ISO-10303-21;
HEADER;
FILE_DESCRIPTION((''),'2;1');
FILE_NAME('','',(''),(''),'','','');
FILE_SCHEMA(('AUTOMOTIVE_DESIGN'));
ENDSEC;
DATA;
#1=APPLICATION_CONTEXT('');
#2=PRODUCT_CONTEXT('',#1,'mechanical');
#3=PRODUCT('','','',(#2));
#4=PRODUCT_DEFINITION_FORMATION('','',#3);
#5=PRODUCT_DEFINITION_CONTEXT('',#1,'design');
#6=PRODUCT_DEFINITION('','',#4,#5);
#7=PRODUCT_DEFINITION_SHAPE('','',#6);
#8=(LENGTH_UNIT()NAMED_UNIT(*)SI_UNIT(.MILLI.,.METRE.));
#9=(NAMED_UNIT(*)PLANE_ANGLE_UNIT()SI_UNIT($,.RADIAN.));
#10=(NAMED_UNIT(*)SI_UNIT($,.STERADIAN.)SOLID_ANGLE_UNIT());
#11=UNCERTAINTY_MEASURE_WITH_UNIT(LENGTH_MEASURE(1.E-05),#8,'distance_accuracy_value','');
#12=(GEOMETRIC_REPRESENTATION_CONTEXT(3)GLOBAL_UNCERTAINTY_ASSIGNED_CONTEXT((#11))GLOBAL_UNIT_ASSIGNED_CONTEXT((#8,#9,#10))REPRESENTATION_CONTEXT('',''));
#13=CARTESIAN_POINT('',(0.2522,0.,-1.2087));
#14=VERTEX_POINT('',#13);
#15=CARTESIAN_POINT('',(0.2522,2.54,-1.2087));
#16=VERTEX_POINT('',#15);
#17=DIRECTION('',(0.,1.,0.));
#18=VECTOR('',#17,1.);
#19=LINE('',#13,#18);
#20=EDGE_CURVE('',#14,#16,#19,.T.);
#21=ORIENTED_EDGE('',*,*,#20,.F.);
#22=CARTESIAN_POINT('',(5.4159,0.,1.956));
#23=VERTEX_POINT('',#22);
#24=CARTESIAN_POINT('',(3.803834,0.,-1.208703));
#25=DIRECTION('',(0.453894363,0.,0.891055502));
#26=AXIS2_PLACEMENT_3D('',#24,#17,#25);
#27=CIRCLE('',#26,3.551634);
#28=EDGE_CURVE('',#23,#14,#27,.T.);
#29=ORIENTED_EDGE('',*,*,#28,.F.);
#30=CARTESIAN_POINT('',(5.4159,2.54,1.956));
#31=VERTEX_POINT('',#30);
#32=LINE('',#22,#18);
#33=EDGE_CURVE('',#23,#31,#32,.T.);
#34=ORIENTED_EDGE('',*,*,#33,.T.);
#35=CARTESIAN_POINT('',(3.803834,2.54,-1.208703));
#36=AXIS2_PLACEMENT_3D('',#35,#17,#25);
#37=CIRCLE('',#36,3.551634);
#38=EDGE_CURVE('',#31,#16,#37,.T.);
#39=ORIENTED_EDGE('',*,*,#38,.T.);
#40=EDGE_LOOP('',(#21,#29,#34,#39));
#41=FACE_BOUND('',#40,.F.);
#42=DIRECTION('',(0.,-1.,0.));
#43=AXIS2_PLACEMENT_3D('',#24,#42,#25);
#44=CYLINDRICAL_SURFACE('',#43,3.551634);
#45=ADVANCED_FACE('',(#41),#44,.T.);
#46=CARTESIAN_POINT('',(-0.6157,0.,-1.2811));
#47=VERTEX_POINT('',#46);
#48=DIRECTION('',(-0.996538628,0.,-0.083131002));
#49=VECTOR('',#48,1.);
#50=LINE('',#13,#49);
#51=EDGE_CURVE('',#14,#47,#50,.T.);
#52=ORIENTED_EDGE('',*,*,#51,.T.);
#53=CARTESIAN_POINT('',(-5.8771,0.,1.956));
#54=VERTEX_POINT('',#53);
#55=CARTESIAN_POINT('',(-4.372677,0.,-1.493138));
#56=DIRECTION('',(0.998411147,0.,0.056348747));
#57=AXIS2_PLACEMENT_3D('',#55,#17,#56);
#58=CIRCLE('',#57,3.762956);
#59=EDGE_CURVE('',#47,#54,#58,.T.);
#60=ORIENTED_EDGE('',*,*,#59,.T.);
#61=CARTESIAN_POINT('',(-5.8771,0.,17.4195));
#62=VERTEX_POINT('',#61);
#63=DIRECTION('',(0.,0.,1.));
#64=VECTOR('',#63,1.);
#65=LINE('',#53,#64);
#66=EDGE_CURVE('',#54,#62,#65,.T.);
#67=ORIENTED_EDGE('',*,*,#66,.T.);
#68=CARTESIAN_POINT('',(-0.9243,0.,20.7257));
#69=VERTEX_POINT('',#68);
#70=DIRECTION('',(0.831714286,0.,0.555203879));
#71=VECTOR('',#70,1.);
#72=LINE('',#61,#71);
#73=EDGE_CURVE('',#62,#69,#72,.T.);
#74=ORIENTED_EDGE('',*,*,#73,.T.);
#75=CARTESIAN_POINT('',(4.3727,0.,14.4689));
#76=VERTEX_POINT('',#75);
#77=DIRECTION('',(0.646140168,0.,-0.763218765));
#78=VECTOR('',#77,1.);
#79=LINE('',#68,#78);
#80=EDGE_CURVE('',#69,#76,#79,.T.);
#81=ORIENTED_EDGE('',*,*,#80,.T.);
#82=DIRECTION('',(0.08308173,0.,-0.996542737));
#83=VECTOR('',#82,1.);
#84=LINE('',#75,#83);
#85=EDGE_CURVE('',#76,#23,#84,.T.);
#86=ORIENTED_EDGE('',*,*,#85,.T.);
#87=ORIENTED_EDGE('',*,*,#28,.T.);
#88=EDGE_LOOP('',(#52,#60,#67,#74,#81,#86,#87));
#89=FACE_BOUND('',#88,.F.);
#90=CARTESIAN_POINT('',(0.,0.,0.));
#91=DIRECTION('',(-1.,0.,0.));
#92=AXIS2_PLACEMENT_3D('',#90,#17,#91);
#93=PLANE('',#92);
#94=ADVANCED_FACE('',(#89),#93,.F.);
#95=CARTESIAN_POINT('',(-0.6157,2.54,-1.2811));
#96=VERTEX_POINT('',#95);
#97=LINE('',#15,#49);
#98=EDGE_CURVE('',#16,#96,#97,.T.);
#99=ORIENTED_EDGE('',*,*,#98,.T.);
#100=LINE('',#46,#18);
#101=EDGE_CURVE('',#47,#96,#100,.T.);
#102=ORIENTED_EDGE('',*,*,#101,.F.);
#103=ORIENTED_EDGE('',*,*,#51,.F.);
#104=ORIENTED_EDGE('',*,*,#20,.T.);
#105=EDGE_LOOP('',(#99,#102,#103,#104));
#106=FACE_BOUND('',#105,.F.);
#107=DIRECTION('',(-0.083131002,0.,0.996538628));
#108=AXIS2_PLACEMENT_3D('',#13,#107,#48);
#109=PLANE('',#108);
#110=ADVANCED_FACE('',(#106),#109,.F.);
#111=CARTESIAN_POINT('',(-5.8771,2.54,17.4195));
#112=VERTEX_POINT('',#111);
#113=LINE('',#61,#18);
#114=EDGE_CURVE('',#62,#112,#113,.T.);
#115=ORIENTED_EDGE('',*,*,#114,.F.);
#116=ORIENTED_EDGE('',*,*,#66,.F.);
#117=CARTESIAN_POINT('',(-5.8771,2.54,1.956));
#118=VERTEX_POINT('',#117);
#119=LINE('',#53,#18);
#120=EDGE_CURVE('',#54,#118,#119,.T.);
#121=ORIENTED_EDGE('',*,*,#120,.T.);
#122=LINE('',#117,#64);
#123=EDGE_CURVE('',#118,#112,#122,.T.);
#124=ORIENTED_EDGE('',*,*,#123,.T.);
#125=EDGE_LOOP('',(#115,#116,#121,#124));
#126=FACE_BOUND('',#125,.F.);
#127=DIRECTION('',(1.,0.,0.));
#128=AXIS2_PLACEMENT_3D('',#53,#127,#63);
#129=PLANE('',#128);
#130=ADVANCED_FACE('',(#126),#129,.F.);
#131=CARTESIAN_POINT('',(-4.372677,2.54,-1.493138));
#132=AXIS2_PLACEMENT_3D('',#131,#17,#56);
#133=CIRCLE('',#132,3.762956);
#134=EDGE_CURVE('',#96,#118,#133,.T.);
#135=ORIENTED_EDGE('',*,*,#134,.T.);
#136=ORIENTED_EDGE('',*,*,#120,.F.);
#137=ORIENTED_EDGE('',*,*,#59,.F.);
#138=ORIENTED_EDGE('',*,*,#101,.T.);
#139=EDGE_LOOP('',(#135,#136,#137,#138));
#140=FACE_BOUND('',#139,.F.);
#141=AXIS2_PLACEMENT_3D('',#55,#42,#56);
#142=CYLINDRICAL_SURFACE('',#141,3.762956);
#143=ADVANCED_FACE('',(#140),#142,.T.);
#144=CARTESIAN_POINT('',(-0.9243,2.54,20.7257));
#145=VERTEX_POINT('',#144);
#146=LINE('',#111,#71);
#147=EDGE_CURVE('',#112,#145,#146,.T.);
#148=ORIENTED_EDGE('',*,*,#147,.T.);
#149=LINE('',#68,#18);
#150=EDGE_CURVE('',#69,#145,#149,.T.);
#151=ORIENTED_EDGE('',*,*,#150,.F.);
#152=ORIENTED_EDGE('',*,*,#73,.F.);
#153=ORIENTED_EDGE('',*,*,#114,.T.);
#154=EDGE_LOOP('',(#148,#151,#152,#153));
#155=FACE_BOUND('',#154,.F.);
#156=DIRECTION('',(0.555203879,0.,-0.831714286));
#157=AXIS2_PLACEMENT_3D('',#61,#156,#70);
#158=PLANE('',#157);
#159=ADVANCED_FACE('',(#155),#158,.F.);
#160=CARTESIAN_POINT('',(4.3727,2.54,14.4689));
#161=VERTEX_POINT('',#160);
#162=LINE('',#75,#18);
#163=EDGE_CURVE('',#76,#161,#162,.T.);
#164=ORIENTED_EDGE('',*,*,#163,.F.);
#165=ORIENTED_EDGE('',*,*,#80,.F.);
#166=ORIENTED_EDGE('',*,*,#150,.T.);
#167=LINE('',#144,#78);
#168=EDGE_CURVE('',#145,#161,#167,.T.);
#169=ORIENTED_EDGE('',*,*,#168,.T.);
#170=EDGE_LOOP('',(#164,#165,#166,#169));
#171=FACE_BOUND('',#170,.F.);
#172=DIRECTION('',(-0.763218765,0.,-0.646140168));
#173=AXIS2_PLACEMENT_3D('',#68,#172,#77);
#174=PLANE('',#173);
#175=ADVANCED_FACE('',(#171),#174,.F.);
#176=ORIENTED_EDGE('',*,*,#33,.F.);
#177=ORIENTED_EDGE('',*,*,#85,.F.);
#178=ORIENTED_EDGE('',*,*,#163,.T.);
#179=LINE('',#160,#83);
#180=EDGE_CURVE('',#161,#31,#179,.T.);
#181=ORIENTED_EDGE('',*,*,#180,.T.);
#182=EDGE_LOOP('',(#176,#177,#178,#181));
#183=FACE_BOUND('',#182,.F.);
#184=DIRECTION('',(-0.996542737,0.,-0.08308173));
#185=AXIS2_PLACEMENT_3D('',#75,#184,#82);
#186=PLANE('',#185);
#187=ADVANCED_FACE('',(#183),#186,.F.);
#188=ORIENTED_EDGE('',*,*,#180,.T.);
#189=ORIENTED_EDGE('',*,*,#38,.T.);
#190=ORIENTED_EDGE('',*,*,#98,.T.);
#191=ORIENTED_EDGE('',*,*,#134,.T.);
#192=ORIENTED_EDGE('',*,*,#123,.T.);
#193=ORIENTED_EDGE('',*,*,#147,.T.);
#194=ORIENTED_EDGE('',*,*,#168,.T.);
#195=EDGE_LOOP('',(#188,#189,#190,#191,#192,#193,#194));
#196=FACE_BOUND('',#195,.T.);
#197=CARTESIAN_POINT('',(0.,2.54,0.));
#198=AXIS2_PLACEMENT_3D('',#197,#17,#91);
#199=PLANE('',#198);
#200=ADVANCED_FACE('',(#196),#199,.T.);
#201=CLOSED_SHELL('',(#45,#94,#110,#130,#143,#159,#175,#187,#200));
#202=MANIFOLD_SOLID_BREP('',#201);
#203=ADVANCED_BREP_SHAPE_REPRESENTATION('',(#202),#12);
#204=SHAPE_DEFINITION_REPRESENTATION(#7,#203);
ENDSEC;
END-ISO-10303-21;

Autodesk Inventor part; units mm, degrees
ref_plane "YZ Plane" through (0, 0, 0) normal (1, 0, 0) x (0, 1, 0)
ref_plane "XZ Plane" through (0, 0, 0) normal (0, 1, 0) x (-1, 0, 0)
ref_plane "XY Plane" through (0, 0, 0) normal (0, 0, 1) x (1, 0, 0)
sketch "Sketch1" plane through (0, 0, 0) normal (0, 1, 0) x (-1, 0, 0)
  arc A0 (0.6157, -1.2811) -> (5.8771, 1.956) centre (4.3727, -1.4931) ccw
  arc A1 (-5.4159, 1.956) -> (-0.2522, -1.2087) centre (-3.8039, -1.2087) ccw
  line L0 (5.8771, 1.956) -> (5.8771, 17.4195)
  line L1 (5.8771, 17.4195) -> (0.9243, 20.7257)
  line L2 (0.9243, 20.7257) -> (-4.3727, 14.4689)
  line L3 (-4.3727, 14.4689) -> (-5.4159, 1.956)
  line L4 (-0.2522, -1.2087) -> (0.6157, -1.2811)
  point P0 (0, 0)
extrude "Extrusion1" add sketch "Sketch1" along normal blind 2.54
properties part number "TestPart"
